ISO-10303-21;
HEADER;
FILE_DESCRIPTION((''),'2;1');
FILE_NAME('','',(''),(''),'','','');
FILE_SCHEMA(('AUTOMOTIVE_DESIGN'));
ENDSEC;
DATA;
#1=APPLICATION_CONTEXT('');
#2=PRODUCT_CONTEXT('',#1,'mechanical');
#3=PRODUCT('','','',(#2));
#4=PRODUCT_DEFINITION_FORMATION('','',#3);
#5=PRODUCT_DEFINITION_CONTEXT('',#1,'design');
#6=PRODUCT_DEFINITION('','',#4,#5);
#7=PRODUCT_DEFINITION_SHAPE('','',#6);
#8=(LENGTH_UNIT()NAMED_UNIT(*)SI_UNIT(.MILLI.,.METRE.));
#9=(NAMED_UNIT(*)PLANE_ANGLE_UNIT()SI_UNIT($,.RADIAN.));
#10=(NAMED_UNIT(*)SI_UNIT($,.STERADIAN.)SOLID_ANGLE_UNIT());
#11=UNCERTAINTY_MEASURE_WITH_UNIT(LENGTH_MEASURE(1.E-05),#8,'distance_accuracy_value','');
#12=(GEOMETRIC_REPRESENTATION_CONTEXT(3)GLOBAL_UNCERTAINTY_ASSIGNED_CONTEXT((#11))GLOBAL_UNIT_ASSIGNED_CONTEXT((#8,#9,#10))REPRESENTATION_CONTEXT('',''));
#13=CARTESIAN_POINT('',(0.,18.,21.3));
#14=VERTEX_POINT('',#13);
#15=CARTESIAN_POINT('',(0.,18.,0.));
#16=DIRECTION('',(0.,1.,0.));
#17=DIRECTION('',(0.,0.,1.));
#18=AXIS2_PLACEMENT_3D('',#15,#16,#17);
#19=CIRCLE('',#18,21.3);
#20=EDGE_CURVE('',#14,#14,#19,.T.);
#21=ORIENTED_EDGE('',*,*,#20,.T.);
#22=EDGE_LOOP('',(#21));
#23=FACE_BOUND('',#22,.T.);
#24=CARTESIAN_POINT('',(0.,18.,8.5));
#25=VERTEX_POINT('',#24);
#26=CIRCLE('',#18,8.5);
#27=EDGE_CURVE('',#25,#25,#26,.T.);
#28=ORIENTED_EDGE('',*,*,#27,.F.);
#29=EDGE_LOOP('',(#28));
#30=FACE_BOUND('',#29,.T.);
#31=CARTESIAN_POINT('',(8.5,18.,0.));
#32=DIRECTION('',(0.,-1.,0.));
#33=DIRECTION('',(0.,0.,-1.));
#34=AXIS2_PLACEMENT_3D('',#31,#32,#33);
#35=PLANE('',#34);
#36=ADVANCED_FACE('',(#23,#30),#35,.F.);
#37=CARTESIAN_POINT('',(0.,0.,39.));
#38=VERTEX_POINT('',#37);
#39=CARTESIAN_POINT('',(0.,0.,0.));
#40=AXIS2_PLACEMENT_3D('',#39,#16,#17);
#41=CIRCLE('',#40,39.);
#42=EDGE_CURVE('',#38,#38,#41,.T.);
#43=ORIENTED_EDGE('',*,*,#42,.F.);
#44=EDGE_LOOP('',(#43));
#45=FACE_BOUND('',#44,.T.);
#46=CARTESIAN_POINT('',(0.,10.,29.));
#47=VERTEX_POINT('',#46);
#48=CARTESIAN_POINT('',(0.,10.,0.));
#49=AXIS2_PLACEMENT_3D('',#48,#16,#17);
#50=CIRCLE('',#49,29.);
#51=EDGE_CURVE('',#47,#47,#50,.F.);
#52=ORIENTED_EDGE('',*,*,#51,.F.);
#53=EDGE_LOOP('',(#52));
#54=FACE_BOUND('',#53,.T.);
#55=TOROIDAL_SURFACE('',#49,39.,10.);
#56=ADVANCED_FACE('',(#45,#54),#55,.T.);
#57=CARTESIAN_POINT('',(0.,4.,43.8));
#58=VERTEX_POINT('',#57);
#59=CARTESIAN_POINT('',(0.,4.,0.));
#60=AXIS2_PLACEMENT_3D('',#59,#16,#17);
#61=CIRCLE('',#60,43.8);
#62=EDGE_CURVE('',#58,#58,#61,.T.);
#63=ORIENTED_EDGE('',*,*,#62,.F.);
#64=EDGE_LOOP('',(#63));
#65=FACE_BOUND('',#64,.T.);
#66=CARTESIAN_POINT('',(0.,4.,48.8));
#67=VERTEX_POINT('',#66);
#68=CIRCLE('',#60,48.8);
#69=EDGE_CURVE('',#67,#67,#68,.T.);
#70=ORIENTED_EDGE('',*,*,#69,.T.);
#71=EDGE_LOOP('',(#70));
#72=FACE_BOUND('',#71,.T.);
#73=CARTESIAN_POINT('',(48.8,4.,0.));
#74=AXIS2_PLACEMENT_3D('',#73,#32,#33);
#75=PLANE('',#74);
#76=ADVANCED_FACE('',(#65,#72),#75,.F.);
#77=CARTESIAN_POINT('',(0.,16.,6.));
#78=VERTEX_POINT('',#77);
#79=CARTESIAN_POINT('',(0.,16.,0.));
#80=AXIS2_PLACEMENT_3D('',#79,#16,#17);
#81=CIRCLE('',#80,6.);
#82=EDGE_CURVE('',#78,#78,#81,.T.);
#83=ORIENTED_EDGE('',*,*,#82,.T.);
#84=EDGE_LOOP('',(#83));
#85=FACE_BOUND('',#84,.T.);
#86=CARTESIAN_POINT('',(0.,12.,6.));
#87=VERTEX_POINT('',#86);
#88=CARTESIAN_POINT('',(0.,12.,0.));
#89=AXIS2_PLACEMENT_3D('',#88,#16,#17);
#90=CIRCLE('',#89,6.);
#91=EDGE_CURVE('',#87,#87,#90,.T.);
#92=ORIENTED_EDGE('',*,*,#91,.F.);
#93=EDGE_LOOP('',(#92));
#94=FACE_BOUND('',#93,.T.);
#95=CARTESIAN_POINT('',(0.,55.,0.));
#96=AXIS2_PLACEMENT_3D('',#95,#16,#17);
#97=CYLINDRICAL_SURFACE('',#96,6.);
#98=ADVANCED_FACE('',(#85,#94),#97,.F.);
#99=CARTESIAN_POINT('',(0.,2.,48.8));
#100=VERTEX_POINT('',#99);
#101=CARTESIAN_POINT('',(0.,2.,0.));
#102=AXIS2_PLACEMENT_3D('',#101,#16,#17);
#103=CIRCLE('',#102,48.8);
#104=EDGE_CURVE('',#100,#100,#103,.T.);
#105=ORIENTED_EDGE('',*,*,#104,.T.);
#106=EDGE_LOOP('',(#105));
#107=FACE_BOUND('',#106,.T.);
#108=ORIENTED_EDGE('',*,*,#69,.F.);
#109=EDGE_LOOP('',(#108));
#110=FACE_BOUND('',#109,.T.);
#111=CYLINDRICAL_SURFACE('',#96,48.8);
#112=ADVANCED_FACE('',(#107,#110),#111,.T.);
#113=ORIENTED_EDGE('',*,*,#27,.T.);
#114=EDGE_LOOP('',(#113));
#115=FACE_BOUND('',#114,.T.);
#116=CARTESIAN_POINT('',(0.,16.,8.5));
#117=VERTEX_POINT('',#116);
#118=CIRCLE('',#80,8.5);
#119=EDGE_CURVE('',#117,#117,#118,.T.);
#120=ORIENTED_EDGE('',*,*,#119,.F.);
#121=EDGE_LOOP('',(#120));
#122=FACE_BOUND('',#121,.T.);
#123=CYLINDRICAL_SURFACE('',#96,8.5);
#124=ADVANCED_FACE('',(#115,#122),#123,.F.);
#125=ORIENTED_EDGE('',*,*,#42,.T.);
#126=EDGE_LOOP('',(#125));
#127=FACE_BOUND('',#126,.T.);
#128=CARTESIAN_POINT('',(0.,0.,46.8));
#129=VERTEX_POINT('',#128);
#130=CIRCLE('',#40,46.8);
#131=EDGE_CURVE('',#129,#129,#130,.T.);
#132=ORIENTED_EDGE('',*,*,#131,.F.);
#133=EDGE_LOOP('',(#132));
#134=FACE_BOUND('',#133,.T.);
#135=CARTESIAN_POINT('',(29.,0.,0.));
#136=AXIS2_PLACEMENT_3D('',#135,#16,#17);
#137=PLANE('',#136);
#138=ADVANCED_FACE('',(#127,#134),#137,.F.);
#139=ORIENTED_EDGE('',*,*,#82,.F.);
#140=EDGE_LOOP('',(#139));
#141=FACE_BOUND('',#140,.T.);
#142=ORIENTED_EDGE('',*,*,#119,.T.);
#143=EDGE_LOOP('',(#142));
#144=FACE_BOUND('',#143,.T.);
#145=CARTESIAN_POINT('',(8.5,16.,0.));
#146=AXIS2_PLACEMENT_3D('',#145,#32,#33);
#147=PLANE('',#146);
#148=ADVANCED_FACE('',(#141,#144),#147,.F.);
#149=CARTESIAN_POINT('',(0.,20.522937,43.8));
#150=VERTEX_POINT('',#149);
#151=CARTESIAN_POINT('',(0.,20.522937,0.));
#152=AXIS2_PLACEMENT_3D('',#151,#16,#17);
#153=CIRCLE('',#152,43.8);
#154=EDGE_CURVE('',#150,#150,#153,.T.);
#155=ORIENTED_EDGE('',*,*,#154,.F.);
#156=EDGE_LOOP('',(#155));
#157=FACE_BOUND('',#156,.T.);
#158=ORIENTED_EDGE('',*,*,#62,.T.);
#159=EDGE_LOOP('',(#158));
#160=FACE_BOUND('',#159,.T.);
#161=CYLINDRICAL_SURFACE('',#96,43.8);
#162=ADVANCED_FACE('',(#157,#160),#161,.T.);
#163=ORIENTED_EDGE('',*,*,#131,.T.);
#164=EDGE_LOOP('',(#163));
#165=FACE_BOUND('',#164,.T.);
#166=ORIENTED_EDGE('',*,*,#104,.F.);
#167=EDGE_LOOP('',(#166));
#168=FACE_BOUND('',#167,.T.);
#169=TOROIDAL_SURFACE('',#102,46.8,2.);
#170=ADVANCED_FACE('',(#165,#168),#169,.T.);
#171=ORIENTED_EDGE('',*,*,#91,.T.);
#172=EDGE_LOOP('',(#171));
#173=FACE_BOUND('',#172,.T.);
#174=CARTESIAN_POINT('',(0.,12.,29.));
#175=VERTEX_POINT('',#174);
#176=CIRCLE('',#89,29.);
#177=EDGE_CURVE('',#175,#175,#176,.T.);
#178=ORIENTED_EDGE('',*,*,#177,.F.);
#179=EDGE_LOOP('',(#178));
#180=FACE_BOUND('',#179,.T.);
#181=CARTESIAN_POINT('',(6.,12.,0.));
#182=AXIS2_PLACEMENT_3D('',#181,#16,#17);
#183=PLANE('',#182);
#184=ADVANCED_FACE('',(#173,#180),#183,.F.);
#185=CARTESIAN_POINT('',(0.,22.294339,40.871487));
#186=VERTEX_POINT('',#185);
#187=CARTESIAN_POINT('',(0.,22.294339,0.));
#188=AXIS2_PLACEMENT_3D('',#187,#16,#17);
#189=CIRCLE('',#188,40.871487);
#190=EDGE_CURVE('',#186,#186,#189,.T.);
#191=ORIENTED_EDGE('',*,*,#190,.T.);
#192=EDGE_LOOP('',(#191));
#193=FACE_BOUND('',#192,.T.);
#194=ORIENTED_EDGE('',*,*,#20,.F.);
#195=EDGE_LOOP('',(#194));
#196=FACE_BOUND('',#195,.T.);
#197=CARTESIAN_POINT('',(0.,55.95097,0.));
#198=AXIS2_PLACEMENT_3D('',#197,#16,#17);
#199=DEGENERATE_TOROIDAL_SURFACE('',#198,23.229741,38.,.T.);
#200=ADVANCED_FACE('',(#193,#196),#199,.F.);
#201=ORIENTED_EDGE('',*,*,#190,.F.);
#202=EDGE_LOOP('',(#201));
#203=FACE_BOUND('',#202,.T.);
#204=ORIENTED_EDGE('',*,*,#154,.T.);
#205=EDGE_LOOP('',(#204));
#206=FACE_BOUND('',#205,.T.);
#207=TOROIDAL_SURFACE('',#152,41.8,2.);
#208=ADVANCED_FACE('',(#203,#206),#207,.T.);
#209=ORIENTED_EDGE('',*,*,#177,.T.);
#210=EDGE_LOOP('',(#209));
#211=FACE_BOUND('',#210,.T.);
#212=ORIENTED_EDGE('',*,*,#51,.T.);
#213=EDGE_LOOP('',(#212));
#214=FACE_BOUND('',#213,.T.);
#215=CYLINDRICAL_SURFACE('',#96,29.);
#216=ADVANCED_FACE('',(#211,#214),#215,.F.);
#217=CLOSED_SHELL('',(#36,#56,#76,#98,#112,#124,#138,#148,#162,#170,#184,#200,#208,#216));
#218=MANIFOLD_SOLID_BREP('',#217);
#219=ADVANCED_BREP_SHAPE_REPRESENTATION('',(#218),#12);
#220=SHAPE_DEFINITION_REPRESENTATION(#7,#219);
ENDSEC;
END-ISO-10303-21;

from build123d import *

# Parameters (mm, degrees)
FILLET1_R = 10


with BuildPart() as part:
    # Sketch1 → Revolve1 (revolve)
    with BuildSketch(Plane.XY):
        with BuildLine():
            Line((29, 0), (46.8, 0))
            ThreePointArc((46.8, 0), (48.214213562, 0.585786438), (48.8, 2))
            Line((48.8, 2), (48.8, 4))
            Line((48.8, 4), (43.8, 4))
            Line((43.8, 4), (43.8, 20.522937023))
            ThreePointArc((43.8, 20.522937023), (42.835126597, 22.234226867), (40.871487071, 22.294338655))
            ThreePointArc((40.871487071, 22.294338655), (31.373886886, 18.833953417), (21.3, 18))
            Line((21.3, 18), (8.5, 18))
            Line((8.5, 18), (8.5, 16))
            Line((8.5, 16), (6, 16))
            Line((6, 16), (6, 12))
            Line((6, 12), (29, 12))
            Line((29, 12), (29, 0))
        make_face()
    revolve(axis=Axis((0, 55, 0), (0, -1, 0)))

    # Fillet1
    fillet1_edges = [part.edges().sort_by_distance(p)[0] for p in [
        (-29, 0, 0),
    ]]
    fillet(fillet1_edges, radius=FILLET1_R)


solid = part.part
